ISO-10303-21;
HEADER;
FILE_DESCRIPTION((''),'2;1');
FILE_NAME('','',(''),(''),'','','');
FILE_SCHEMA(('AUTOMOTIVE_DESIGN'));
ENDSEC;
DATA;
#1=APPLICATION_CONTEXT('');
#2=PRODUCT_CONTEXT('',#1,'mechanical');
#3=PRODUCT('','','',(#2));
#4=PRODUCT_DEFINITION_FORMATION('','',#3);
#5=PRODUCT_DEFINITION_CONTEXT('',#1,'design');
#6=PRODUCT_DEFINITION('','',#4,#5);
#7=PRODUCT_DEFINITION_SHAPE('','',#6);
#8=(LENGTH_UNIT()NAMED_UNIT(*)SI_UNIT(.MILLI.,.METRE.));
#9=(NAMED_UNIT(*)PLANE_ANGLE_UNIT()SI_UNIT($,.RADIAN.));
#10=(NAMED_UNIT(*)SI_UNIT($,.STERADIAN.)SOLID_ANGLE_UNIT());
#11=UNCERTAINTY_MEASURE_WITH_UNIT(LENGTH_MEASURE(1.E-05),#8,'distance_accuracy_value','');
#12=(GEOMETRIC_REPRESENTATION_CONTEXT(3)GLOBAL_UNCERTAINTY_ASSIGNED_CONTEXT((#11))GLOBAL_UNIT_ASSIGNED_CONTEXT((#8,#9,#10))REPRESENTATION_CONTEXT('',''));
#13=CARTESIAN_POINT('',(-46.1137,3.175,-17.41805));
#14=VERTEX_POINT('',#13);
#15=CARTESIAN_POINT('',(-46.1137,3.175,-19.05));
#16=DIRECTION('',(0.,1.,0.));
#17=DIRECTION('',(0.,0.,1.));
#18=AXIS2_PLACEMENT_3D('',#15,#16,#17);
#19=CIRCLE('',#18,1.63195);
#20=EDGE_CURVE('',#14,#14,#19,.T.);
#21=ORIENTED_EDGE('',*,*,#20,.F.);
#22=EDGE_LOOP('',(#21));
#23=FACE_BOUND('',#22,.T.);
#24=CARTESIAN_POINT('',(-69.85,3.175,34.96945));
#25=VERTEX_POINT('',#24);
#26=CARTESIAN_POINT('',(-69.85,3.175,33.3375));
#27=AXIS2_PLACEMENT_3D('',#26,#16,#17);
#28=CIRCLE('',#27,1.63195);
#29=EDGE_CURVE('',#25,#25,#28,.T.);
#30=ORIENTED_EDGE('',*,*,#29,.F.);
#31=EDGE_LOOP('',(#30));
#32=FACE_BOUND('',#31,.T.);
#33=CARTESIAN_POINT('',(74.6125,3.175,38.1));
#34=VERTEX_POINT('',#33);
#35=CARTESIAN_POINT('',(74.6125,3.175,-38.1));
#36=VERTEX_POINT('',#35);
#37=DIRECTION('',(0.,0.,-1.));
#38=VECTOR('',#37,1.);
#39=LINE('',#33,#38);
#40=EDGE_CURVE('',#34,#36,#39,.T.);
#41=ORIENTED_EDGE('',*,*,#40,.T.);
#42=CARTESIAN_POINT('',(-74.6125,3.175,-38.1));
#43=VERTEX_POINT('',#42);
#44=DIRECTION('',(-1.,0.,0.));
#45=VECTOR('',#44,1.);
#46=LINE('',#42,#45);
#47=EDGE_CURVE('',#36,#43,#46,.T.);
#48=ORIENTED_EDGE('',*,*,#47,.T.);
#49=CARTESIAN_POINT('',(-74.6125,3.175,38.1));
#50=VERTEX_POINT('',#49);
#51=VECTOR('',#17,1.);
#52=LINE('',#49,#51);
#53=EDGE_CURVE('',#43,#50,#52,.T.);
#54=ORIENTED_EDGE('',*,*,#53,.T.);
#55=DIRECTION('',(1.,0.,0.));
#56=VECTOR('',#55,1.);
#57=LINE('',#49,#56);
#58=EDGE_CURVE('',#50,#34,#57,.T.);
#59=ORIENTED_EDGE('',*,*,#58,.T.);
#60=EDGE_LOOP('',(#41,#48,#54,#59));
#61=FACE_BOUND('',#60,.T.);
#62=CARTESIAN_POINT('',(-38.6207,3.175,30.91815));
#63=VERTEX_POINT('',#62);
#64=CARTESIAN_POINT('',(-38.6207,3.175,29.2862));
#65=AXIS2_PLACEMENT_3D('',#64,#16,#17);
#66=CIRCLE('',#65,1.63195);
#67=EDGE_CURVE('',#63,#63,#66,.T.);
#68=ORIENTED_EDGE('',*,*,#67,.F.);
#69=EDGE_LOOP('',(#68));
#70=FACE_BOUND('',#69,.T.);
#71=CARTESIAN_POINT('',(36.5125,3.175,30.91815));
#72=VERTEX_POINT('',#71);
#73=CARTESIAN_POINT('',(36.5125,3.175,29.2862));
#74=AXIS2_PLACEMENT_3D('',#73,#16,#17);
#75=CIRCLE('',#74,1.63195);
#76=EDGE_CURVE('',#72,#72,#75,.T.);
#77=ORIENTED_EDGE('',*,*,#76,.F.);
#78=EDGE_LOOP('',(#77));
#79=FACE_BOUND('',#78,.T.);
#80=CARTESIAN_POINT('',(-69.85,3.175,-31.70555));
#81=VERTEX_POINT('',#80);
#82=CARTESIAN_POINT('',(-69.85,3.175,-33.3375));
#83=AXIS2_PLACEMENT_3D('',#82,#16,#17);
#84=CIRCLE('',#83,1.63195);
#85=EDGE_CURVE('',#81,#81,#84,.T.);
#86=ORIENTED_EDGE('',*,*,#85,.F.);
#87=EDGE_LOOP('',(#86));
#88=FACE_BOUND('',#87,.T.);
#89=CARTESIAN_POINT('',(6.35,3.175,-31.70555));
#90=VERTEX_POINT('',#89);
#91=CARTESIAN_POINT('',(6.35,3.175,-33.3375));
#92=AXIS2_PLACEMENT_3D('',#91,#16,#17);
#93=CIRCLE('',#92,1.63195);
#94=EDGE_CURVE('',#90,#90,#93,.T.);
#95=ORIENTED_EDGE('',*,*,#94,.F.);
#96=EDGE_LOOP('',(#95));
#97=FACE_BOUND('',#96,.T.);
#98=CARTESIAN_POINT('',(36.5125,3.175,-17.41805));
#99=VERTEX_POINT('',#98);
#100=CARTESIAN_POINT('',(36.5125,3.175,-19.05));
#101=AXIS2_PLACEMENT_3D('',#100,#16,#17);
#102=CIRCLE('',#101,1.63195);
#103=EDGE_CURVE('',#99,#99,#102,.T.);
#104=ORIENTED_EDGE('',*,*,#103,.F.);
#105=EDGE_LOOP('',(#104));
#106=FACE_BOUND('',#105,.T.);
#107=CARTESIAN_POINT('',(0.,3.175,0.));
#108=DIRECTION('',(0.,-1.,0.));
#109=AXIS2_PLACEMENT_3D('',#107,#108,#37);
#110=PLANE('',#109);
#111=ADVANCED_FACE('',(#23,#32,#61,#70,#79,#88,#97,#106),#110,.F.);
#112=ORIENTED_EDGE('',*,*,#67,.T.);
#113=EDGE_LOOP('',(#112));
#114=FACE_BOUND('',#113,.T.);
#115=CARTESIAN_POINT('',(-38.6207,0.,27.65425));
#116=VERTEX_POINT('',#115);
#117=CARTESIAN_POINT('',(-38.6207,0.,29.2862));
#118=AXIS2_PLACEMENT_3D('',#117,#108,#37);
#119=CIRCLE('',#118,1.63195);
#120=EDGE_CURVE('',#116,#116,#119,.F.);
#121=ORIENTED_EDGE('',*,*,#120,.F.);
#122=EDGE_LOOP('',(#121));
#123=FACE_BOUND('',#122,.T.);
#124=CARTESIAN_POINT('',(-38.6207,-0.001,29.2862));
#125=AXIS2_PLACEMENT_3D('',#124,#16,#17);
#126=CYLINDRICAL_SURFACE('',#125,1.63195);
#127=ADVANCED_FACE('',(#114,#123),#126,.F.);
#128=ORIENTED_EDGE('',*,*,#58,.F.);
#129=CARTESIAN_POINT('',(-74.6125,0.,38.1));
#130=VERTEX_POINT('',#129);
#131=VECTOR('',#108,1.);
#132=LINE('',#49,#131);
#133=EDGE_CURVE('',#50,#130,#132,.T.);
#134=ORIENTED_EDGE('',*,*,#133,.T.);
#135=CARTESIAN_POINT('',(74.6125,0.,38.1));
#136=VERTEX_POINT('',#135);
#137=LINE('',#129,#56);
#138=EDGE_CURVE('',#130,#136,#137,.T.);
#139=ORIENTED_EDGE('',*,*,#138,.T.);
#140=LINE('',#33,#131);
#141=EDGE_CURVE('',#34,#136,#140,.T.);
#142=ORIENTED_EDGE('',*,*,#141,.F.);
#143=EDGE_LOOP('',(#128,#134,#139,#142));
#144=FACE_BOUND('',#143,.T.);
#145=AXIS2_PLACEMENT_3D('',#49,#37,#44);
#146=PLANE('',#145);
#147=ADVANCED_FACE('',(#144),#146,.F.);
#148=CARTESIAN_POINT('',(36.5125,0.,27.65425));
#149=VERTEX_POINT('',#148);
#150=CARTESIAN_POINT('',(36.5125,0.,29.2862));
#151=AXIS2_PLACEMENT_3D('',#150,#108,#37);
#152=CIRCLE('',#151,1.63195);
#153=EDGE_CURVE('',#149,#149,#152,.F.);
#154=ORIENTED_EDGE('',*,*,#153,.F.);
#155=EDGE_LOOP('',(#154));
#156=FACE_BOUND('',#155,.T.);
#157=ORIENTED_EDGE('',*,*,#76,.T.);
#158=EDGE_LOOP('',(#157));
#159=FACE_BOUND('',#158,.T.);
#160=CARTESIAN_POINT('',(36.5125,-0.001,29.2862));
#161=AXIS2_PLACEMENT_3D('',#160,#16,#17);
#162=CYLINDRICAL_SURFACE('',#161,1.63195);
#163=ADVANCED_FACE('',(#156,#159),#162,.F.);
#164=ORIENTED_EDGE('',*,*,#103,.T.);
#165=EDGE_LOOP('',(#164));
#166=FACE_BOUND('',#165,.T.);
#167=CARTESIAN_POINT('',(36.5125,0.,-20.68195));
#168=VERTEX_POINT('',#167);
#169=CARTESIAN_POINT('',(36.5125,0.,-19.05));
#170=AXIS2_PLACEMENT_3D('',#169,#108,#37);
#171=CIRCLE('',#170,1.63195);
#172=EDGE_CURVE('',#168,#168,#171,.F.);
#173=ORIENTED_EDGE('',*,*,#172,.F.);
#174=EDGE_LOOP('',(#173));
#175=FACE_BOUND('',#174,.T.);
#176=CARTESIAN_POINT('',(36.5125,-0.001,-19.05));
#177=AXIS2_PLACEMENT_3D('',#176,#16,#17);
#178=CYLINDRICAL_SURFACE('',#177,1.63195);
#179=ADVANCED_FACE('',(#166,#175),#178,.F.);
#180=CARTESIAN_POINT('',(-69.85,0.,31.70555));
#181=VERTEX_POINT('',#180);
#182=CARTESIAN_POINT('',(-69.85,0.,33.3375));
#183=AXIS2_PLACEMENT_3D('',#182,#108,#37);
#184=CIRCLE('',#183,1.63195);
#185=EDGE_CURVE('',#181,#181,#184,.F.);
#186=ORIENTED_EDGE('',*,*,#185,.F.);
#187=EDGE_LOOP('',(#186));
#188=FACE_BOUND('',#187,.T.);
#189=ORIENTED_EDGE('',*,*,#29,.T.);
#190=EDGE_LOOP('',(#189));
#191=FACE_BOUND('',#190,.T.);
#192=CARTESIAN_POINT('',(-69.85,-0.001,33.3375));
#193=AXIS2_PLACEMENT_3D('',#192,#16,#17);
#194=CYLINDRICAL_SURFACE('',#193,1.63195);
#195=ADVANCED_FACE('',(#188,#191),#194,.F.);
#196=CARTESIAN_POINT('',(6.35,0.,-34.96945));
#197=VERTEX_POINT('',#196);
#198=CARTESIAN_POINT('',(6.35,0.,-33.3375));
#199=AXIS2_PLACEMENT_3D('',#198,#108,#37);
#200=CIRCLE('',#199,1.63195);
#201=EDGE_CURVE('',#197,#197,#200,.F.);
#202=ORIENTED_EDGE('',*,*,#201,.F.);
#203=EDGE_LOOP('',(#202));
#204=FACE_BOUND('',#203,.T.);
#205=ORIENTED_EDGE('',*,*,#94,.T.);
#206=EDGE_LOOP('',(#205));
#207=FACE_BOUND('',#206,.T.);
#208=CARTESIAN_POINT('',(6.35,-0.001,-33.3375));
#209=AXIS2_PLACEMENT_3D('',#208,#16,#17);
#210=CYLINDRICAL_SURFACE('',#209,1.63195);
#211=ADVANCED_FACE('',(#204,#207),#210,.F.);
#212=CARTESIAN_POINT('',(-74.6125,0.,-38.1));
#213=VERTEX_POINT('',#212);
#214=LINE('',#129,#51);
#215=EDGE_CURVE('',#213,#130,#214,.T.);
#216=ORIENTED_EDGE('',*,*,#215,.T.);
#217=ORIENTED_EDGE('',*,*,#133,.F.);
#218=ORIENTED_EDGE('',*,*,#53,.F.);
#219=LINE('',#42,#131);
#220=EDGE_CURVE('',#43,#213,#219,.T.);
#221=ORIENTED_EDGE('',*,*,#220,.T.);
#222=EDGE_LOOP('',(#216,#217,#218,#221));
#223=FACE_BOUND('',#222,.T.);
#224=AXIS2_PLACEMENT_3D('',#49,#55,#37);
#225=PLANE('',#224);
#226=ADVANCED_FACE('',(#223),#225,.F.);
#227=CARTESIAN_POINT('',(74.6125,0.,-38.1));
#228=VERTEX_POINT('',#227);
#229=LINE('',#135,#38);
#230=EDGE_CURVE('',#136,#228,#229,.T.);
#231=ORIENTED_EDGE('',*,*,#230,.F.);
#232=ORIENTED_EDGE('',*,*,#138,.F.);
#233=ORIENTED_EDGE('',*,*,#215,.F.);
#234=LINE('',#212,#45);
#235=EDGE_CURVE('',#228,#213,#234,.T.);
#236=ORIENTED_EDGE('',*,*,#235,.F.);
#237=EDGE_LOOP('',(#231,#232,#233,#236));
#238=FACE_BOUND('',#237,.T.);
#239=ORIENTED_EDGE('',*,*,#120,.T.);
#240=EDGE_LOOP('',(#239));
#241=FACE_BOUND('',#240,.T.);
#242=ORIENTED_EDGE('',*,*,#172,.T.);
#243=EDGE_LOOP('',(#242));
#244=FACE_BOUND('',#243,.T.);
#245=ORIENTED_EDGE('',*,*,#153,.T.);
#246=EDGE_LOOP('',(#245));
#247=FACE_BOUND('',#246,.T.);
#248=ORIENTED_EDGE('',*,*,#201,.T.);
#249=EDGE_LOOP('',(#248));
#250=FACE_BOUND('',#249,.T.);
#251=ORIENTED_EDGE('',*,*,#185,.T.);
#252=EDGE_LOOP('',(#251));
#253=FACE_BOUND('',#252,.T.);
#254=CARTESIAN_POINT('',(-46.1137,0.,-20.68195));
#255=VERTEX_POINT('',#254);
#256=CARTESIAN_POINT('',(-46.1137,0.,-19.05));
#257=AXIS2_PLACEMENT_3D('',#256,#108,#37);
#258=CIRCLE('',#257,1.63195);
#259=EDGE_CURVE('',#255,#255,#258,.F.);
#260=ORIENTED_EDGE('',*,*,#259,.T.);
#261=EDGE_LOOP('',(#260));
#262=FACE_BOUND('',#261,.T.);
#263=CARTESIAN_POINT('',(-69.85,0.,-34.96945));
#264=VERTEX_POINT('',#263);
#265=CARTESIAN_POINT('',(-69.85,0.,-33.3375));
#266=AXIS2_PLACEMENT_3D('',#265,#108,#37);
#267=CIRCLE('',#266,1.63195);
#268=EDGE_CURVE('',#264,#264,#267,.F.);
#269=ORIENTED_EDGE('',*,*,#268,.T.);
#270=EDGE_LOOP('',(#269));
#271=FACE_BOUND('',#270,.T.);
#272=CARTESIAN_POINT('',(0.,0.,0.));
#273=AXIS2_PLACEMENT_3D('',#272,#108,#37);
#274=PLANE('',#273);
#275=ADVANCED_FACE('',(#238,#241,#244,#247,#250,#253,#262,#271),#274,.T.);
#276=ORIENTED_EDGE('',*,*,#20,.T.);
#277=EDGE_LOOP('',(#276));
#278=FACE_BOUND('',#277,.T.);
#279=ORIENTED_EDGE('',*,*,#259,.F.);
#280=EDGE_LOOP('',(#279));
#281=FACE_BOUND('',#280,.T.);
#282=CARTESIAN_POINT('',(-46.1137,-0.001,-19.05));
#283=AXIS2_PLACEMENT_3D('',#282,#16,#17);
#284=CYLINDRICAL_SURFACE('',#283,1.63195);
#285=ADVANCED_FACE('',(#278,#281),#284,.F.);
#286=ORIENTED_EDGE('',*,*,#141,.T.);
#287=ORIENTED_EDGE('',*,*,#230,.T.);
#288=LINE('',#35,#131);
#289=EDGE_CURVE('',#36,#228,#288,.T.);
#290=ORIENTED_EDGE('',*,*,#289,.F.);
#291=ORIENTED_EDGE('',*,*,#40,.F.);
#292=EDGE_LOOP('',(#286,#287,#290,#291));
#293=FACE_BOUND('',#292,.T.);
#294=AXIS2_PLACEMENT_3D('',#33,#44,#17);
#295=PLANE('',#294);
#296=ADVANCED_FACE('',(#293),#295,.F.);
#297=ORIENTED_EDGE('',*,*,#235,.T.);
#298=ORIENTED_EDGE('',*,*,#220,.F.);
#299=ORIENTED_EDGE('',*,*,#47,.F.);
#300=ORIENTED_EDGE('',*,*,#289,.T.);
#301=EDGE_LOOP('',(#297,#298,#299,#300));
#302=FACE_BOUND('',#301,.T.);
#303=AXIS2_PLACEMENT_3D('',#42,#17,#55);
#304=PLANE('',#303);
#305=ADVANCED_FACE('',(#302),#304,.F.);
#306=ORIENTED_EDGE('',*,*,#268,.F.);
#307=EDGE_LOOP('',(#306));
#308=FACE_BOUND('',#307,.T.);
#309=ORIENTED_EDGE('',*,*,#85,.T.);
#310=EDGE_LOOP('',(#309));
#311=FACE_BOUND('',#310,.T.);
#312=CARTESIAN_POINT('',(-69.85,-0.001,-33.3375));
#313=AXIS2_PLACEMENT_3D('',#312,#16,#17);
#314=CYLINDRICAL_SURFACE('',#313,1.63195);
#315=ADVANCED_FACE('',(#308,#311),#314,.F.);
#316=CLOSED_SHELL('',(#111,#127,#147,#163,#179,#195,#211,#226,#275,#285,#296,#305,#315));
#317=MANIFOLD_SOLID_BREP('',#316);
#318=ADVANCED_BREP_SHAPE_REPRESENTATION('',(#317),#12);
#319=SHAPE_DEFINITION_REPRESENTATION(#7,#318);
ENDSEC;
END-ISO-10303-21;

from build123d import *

# Parameters (mm, degrees)
BASE_SKETCH_W                              = 149.225
BASE_SKETCH_H                              = 76.2
BASE_PLATE_DEPTH                           = 3.175
F_4_40_GUIDE_RAIL_HOLES_REACH              = 85.837
F_4_40_HOLE_PATTERN_SKETCH_GUIDE_RAIL_R    = 1.63195
F_4_40_ARDUINO_HOLES_REACH                 = 85.837
F_4_40_HOLE_PATTERN_SKETCH_ARDUINO_HOLES_R = 1.63195


with BuildPart() as part:
    # Base Sketch → Base Plate (new body)
    with BuildSketch(Plane(origin=(0, 0, 0), x_dir=(1, 0, 0), z_dir=(0, 1, 0))):
        Rectangle(BASE_SKETCH_W, BASE_SKETCH_H)
    extrude(amount=BASE_PLATE_DEPTH)

    # 4-40 Hole Pattern Sketch (Guide Rail) → 4-40 Guide Rail Holes (cut, up to next)
    with BuildSketch(Plane(origin=(0, 3.175, 0), x_dir=(1, 0, 0), z_dir=(0, 1, 0)), mode=Mode.PRIVATE) as f_4_40_guide_rail_holes_sk1:
        with Locations(Location((-69.85, 33.3375, 0), (0, 0, 270))):
            Circle(F_4_40_HOLE_PATTERN_SKETCH_GUIDE_RAIL_R)
    f_4_40_guide_rail_holes_tool1 = extrude(f_4_40_guide_rail_holes_sk1.sketch, amount=-F_4_40_GUIDE_RAIL_HOLES_REACH, mode=Mode.PRIVATE) & part.part
    # 4-40 Hole Pattern Sketch (Guide Rail) → 4-40 Guide Rail Holes (cut, up to next)
    with BuildSketch(Plane(origin=(0, 3.175, 0), x_dir=(1, 0, 0), z_dir=(0, 1, 0)), mode=Mode.PRIVATE) as f_4_40_guide_rail_holes_sk2:
        with Locations(Location((-69.85, -33.3375, 0), (0, 0, 270))):
            Circle(F_4_40_HOLE_PATTERN_SKETCH_GUIDE_RAIL_R)
    f_4_40_guide_rail_holes_tool2 = extrude(f_4_40_guide_rail_holes_sk2.sketch, amount=-F_4_40_GUIDE_RAIL_HOLES_REACH, mode=Mode.PRIVATE) & part.part
    # 4-40 Hole Pattern Sketch (Guide Rail) → 4-40 Guide Rail Holes (cut, up to next)
    with BuildSketch(Plane(origin=(0, 3.175, 0), x_dir=(1, 0, 0), z_dir=(0, 1, 0)), mode=Mode.PRIVATE) as f_4_40_guide_rail_holes_sk3:
        with Locations(Location((6.35, 33.3375, 0), (0, 0, 270))):
            Circle(F_4_40_HOLE_PATTERN_SKETCH_GUIDE_RAIL_R)
    f_4_40_guide_rail_holes_tool3 = extrude(f_4_40_guide_rail_holes_sk3.sketch, amount=-F_4_40_GUIDE_RAIL_HOLES_REACH, mode=Mode.PRIVATE) & part.part
    add(f_4_40_guide_rail_holes_tool1.solids().sort_by_distance((-69.85, 3.175, -33.3375))[0], mode=Mode.SUBTRACT)
    add(f_4_40_guide_rail_holes_tool2.solids().sort_by_distance((-69.85, 3.175, 33.3375))[0], mode=Mode.SUBTRACT)
    add(f_4_40_guide_rail_holes_tool3.solids().sort_by_distance((6.35, 3.175, -33.3375))[0], mode=Mode.SUBTRACT)

    # 4-40 Hole Pattern Sketch (Arduino Holes) → 4-40 Arduino Holes (cut, up to next)
    with BuildSketch(Plane(origin=(0, 3.175, 0), x_dir=(1, 0, 0), z_dir=(0, 1, 0)), mode=Mode.PRIVATE) as f_4_40_arduino_holes_sk1:
        with Locations(Location((-46.1137, 19.05, 0), (0, 0, 270))):
            Circle(F_4_40_HOLE_PATTERN_SKETCH_ARDUINO_HOLES_R)
    f_4_40_arduino_holes_tool1 = extrude(f_4_40_arduino_holes_sk1.sketch, amount=-F_4_40_ARDUINO_HOLES_REACH, mode=Mode.PRIVATE) & part.part
    # 4-40 Hole Pattern Sketch (Arduino Holes) → 4-40 Arduino Holes (cut, up to next)
    with BuildSketch(Plane(origin=(0, 3.175, 0), x_dir=(1, 0, 0), z_dir=(0, 1, 0)), mode=Mode.PRIVATE) as f_4_40_arduino_holes_sk2:
        with Locations(Location((-38.6207, -29.2862, 0), (0, 0, 270))):
            Circle(F_4_40_HOLE_PATTERN_SKETCH_ARDUINO_HOLES_R)
    f_4_40_arduino_holes_tool2 = extrude(f_4_40_arduino_holes_sk2.sketch, amount=-F_4_40_ARDUINO_HOLES_REACH, mode=Mode.PRIVATE) & part.part
    # 4-40 Hole Pattern Sketch (Arduino Holes) → 4-40 Arduino Holes (cut, up to next)
    with BuildSketch(Plane(origin=(0, 3.175, 0), x_dir=(1, 0, 0), z_dir=(0, 1, 0)), mode=Mode.PRIVATE) as f_4_40_arduino_holes_sk3:
        with Locations(Location((36.5125, 19.05, 0), (0, 0, 270))):
            Circle(F_4_40_HOLE_PATTERN_SKETCH_ARDUINO_HOLES_R)
    f_4_40_arduino_holes_tool3 = extrude(f_4_40_arduino_holes_sk3.sketch, amount=-F_4_40_ARDUINO_HOLES_REACH, mode=Mode.PRIVATE) & part.part
    # 4-40 Hole Pattern Sketch (Arduino Holes) → 4-40 Arduino Holes (cut, up to next)
    with BuildSketch(Plane(origin=(0, 3.175, 0), x_dir=(1, 0, 0), z_dir=(0, 1, 0)), mode=Mode.PRIVATE) as f_4_40_arduino_holes_sk4:
        with Locations(Location((36.5125, -29.2862, 0), (0, 0, 270))):
            Circle(F_4_40_HOLE_PATTERN_SKETCH_ARDUINO_HOLES_R)
    f_4_40_arduino_holes_tool4 = extrude(f_4_40_arduino_holes_sk4.sketch, amount=-F_4_40_ARDUINO_HOLES_REACH, mode=Mode.PRIVATE) & part.part
    add(f_4_40_arduino_holes_tool1.solids().sort_by_distance((-46.1137, 3.175, -19.05))[0], mode=Mode.SUBTRACT)
    add(f_4_40_arduino_holes_tool2.solids().sort_by_distance((-38.6207, 3.175, 29.2862))[0], mode=Mode.SUBTRACT)
    add(f_4_40_arduino_holes_tool3.solids().sort_by_distance((36.5125, 3.175, -19.05))[0], mode=Mode.SUBTRACT)
    add(f_4_40_arduino_holes_tool4.solids().sort_by_distance((36.5125, 3.175, 29.2862))[0], mode=Mode.SUBTRACT)


solid = part.part
